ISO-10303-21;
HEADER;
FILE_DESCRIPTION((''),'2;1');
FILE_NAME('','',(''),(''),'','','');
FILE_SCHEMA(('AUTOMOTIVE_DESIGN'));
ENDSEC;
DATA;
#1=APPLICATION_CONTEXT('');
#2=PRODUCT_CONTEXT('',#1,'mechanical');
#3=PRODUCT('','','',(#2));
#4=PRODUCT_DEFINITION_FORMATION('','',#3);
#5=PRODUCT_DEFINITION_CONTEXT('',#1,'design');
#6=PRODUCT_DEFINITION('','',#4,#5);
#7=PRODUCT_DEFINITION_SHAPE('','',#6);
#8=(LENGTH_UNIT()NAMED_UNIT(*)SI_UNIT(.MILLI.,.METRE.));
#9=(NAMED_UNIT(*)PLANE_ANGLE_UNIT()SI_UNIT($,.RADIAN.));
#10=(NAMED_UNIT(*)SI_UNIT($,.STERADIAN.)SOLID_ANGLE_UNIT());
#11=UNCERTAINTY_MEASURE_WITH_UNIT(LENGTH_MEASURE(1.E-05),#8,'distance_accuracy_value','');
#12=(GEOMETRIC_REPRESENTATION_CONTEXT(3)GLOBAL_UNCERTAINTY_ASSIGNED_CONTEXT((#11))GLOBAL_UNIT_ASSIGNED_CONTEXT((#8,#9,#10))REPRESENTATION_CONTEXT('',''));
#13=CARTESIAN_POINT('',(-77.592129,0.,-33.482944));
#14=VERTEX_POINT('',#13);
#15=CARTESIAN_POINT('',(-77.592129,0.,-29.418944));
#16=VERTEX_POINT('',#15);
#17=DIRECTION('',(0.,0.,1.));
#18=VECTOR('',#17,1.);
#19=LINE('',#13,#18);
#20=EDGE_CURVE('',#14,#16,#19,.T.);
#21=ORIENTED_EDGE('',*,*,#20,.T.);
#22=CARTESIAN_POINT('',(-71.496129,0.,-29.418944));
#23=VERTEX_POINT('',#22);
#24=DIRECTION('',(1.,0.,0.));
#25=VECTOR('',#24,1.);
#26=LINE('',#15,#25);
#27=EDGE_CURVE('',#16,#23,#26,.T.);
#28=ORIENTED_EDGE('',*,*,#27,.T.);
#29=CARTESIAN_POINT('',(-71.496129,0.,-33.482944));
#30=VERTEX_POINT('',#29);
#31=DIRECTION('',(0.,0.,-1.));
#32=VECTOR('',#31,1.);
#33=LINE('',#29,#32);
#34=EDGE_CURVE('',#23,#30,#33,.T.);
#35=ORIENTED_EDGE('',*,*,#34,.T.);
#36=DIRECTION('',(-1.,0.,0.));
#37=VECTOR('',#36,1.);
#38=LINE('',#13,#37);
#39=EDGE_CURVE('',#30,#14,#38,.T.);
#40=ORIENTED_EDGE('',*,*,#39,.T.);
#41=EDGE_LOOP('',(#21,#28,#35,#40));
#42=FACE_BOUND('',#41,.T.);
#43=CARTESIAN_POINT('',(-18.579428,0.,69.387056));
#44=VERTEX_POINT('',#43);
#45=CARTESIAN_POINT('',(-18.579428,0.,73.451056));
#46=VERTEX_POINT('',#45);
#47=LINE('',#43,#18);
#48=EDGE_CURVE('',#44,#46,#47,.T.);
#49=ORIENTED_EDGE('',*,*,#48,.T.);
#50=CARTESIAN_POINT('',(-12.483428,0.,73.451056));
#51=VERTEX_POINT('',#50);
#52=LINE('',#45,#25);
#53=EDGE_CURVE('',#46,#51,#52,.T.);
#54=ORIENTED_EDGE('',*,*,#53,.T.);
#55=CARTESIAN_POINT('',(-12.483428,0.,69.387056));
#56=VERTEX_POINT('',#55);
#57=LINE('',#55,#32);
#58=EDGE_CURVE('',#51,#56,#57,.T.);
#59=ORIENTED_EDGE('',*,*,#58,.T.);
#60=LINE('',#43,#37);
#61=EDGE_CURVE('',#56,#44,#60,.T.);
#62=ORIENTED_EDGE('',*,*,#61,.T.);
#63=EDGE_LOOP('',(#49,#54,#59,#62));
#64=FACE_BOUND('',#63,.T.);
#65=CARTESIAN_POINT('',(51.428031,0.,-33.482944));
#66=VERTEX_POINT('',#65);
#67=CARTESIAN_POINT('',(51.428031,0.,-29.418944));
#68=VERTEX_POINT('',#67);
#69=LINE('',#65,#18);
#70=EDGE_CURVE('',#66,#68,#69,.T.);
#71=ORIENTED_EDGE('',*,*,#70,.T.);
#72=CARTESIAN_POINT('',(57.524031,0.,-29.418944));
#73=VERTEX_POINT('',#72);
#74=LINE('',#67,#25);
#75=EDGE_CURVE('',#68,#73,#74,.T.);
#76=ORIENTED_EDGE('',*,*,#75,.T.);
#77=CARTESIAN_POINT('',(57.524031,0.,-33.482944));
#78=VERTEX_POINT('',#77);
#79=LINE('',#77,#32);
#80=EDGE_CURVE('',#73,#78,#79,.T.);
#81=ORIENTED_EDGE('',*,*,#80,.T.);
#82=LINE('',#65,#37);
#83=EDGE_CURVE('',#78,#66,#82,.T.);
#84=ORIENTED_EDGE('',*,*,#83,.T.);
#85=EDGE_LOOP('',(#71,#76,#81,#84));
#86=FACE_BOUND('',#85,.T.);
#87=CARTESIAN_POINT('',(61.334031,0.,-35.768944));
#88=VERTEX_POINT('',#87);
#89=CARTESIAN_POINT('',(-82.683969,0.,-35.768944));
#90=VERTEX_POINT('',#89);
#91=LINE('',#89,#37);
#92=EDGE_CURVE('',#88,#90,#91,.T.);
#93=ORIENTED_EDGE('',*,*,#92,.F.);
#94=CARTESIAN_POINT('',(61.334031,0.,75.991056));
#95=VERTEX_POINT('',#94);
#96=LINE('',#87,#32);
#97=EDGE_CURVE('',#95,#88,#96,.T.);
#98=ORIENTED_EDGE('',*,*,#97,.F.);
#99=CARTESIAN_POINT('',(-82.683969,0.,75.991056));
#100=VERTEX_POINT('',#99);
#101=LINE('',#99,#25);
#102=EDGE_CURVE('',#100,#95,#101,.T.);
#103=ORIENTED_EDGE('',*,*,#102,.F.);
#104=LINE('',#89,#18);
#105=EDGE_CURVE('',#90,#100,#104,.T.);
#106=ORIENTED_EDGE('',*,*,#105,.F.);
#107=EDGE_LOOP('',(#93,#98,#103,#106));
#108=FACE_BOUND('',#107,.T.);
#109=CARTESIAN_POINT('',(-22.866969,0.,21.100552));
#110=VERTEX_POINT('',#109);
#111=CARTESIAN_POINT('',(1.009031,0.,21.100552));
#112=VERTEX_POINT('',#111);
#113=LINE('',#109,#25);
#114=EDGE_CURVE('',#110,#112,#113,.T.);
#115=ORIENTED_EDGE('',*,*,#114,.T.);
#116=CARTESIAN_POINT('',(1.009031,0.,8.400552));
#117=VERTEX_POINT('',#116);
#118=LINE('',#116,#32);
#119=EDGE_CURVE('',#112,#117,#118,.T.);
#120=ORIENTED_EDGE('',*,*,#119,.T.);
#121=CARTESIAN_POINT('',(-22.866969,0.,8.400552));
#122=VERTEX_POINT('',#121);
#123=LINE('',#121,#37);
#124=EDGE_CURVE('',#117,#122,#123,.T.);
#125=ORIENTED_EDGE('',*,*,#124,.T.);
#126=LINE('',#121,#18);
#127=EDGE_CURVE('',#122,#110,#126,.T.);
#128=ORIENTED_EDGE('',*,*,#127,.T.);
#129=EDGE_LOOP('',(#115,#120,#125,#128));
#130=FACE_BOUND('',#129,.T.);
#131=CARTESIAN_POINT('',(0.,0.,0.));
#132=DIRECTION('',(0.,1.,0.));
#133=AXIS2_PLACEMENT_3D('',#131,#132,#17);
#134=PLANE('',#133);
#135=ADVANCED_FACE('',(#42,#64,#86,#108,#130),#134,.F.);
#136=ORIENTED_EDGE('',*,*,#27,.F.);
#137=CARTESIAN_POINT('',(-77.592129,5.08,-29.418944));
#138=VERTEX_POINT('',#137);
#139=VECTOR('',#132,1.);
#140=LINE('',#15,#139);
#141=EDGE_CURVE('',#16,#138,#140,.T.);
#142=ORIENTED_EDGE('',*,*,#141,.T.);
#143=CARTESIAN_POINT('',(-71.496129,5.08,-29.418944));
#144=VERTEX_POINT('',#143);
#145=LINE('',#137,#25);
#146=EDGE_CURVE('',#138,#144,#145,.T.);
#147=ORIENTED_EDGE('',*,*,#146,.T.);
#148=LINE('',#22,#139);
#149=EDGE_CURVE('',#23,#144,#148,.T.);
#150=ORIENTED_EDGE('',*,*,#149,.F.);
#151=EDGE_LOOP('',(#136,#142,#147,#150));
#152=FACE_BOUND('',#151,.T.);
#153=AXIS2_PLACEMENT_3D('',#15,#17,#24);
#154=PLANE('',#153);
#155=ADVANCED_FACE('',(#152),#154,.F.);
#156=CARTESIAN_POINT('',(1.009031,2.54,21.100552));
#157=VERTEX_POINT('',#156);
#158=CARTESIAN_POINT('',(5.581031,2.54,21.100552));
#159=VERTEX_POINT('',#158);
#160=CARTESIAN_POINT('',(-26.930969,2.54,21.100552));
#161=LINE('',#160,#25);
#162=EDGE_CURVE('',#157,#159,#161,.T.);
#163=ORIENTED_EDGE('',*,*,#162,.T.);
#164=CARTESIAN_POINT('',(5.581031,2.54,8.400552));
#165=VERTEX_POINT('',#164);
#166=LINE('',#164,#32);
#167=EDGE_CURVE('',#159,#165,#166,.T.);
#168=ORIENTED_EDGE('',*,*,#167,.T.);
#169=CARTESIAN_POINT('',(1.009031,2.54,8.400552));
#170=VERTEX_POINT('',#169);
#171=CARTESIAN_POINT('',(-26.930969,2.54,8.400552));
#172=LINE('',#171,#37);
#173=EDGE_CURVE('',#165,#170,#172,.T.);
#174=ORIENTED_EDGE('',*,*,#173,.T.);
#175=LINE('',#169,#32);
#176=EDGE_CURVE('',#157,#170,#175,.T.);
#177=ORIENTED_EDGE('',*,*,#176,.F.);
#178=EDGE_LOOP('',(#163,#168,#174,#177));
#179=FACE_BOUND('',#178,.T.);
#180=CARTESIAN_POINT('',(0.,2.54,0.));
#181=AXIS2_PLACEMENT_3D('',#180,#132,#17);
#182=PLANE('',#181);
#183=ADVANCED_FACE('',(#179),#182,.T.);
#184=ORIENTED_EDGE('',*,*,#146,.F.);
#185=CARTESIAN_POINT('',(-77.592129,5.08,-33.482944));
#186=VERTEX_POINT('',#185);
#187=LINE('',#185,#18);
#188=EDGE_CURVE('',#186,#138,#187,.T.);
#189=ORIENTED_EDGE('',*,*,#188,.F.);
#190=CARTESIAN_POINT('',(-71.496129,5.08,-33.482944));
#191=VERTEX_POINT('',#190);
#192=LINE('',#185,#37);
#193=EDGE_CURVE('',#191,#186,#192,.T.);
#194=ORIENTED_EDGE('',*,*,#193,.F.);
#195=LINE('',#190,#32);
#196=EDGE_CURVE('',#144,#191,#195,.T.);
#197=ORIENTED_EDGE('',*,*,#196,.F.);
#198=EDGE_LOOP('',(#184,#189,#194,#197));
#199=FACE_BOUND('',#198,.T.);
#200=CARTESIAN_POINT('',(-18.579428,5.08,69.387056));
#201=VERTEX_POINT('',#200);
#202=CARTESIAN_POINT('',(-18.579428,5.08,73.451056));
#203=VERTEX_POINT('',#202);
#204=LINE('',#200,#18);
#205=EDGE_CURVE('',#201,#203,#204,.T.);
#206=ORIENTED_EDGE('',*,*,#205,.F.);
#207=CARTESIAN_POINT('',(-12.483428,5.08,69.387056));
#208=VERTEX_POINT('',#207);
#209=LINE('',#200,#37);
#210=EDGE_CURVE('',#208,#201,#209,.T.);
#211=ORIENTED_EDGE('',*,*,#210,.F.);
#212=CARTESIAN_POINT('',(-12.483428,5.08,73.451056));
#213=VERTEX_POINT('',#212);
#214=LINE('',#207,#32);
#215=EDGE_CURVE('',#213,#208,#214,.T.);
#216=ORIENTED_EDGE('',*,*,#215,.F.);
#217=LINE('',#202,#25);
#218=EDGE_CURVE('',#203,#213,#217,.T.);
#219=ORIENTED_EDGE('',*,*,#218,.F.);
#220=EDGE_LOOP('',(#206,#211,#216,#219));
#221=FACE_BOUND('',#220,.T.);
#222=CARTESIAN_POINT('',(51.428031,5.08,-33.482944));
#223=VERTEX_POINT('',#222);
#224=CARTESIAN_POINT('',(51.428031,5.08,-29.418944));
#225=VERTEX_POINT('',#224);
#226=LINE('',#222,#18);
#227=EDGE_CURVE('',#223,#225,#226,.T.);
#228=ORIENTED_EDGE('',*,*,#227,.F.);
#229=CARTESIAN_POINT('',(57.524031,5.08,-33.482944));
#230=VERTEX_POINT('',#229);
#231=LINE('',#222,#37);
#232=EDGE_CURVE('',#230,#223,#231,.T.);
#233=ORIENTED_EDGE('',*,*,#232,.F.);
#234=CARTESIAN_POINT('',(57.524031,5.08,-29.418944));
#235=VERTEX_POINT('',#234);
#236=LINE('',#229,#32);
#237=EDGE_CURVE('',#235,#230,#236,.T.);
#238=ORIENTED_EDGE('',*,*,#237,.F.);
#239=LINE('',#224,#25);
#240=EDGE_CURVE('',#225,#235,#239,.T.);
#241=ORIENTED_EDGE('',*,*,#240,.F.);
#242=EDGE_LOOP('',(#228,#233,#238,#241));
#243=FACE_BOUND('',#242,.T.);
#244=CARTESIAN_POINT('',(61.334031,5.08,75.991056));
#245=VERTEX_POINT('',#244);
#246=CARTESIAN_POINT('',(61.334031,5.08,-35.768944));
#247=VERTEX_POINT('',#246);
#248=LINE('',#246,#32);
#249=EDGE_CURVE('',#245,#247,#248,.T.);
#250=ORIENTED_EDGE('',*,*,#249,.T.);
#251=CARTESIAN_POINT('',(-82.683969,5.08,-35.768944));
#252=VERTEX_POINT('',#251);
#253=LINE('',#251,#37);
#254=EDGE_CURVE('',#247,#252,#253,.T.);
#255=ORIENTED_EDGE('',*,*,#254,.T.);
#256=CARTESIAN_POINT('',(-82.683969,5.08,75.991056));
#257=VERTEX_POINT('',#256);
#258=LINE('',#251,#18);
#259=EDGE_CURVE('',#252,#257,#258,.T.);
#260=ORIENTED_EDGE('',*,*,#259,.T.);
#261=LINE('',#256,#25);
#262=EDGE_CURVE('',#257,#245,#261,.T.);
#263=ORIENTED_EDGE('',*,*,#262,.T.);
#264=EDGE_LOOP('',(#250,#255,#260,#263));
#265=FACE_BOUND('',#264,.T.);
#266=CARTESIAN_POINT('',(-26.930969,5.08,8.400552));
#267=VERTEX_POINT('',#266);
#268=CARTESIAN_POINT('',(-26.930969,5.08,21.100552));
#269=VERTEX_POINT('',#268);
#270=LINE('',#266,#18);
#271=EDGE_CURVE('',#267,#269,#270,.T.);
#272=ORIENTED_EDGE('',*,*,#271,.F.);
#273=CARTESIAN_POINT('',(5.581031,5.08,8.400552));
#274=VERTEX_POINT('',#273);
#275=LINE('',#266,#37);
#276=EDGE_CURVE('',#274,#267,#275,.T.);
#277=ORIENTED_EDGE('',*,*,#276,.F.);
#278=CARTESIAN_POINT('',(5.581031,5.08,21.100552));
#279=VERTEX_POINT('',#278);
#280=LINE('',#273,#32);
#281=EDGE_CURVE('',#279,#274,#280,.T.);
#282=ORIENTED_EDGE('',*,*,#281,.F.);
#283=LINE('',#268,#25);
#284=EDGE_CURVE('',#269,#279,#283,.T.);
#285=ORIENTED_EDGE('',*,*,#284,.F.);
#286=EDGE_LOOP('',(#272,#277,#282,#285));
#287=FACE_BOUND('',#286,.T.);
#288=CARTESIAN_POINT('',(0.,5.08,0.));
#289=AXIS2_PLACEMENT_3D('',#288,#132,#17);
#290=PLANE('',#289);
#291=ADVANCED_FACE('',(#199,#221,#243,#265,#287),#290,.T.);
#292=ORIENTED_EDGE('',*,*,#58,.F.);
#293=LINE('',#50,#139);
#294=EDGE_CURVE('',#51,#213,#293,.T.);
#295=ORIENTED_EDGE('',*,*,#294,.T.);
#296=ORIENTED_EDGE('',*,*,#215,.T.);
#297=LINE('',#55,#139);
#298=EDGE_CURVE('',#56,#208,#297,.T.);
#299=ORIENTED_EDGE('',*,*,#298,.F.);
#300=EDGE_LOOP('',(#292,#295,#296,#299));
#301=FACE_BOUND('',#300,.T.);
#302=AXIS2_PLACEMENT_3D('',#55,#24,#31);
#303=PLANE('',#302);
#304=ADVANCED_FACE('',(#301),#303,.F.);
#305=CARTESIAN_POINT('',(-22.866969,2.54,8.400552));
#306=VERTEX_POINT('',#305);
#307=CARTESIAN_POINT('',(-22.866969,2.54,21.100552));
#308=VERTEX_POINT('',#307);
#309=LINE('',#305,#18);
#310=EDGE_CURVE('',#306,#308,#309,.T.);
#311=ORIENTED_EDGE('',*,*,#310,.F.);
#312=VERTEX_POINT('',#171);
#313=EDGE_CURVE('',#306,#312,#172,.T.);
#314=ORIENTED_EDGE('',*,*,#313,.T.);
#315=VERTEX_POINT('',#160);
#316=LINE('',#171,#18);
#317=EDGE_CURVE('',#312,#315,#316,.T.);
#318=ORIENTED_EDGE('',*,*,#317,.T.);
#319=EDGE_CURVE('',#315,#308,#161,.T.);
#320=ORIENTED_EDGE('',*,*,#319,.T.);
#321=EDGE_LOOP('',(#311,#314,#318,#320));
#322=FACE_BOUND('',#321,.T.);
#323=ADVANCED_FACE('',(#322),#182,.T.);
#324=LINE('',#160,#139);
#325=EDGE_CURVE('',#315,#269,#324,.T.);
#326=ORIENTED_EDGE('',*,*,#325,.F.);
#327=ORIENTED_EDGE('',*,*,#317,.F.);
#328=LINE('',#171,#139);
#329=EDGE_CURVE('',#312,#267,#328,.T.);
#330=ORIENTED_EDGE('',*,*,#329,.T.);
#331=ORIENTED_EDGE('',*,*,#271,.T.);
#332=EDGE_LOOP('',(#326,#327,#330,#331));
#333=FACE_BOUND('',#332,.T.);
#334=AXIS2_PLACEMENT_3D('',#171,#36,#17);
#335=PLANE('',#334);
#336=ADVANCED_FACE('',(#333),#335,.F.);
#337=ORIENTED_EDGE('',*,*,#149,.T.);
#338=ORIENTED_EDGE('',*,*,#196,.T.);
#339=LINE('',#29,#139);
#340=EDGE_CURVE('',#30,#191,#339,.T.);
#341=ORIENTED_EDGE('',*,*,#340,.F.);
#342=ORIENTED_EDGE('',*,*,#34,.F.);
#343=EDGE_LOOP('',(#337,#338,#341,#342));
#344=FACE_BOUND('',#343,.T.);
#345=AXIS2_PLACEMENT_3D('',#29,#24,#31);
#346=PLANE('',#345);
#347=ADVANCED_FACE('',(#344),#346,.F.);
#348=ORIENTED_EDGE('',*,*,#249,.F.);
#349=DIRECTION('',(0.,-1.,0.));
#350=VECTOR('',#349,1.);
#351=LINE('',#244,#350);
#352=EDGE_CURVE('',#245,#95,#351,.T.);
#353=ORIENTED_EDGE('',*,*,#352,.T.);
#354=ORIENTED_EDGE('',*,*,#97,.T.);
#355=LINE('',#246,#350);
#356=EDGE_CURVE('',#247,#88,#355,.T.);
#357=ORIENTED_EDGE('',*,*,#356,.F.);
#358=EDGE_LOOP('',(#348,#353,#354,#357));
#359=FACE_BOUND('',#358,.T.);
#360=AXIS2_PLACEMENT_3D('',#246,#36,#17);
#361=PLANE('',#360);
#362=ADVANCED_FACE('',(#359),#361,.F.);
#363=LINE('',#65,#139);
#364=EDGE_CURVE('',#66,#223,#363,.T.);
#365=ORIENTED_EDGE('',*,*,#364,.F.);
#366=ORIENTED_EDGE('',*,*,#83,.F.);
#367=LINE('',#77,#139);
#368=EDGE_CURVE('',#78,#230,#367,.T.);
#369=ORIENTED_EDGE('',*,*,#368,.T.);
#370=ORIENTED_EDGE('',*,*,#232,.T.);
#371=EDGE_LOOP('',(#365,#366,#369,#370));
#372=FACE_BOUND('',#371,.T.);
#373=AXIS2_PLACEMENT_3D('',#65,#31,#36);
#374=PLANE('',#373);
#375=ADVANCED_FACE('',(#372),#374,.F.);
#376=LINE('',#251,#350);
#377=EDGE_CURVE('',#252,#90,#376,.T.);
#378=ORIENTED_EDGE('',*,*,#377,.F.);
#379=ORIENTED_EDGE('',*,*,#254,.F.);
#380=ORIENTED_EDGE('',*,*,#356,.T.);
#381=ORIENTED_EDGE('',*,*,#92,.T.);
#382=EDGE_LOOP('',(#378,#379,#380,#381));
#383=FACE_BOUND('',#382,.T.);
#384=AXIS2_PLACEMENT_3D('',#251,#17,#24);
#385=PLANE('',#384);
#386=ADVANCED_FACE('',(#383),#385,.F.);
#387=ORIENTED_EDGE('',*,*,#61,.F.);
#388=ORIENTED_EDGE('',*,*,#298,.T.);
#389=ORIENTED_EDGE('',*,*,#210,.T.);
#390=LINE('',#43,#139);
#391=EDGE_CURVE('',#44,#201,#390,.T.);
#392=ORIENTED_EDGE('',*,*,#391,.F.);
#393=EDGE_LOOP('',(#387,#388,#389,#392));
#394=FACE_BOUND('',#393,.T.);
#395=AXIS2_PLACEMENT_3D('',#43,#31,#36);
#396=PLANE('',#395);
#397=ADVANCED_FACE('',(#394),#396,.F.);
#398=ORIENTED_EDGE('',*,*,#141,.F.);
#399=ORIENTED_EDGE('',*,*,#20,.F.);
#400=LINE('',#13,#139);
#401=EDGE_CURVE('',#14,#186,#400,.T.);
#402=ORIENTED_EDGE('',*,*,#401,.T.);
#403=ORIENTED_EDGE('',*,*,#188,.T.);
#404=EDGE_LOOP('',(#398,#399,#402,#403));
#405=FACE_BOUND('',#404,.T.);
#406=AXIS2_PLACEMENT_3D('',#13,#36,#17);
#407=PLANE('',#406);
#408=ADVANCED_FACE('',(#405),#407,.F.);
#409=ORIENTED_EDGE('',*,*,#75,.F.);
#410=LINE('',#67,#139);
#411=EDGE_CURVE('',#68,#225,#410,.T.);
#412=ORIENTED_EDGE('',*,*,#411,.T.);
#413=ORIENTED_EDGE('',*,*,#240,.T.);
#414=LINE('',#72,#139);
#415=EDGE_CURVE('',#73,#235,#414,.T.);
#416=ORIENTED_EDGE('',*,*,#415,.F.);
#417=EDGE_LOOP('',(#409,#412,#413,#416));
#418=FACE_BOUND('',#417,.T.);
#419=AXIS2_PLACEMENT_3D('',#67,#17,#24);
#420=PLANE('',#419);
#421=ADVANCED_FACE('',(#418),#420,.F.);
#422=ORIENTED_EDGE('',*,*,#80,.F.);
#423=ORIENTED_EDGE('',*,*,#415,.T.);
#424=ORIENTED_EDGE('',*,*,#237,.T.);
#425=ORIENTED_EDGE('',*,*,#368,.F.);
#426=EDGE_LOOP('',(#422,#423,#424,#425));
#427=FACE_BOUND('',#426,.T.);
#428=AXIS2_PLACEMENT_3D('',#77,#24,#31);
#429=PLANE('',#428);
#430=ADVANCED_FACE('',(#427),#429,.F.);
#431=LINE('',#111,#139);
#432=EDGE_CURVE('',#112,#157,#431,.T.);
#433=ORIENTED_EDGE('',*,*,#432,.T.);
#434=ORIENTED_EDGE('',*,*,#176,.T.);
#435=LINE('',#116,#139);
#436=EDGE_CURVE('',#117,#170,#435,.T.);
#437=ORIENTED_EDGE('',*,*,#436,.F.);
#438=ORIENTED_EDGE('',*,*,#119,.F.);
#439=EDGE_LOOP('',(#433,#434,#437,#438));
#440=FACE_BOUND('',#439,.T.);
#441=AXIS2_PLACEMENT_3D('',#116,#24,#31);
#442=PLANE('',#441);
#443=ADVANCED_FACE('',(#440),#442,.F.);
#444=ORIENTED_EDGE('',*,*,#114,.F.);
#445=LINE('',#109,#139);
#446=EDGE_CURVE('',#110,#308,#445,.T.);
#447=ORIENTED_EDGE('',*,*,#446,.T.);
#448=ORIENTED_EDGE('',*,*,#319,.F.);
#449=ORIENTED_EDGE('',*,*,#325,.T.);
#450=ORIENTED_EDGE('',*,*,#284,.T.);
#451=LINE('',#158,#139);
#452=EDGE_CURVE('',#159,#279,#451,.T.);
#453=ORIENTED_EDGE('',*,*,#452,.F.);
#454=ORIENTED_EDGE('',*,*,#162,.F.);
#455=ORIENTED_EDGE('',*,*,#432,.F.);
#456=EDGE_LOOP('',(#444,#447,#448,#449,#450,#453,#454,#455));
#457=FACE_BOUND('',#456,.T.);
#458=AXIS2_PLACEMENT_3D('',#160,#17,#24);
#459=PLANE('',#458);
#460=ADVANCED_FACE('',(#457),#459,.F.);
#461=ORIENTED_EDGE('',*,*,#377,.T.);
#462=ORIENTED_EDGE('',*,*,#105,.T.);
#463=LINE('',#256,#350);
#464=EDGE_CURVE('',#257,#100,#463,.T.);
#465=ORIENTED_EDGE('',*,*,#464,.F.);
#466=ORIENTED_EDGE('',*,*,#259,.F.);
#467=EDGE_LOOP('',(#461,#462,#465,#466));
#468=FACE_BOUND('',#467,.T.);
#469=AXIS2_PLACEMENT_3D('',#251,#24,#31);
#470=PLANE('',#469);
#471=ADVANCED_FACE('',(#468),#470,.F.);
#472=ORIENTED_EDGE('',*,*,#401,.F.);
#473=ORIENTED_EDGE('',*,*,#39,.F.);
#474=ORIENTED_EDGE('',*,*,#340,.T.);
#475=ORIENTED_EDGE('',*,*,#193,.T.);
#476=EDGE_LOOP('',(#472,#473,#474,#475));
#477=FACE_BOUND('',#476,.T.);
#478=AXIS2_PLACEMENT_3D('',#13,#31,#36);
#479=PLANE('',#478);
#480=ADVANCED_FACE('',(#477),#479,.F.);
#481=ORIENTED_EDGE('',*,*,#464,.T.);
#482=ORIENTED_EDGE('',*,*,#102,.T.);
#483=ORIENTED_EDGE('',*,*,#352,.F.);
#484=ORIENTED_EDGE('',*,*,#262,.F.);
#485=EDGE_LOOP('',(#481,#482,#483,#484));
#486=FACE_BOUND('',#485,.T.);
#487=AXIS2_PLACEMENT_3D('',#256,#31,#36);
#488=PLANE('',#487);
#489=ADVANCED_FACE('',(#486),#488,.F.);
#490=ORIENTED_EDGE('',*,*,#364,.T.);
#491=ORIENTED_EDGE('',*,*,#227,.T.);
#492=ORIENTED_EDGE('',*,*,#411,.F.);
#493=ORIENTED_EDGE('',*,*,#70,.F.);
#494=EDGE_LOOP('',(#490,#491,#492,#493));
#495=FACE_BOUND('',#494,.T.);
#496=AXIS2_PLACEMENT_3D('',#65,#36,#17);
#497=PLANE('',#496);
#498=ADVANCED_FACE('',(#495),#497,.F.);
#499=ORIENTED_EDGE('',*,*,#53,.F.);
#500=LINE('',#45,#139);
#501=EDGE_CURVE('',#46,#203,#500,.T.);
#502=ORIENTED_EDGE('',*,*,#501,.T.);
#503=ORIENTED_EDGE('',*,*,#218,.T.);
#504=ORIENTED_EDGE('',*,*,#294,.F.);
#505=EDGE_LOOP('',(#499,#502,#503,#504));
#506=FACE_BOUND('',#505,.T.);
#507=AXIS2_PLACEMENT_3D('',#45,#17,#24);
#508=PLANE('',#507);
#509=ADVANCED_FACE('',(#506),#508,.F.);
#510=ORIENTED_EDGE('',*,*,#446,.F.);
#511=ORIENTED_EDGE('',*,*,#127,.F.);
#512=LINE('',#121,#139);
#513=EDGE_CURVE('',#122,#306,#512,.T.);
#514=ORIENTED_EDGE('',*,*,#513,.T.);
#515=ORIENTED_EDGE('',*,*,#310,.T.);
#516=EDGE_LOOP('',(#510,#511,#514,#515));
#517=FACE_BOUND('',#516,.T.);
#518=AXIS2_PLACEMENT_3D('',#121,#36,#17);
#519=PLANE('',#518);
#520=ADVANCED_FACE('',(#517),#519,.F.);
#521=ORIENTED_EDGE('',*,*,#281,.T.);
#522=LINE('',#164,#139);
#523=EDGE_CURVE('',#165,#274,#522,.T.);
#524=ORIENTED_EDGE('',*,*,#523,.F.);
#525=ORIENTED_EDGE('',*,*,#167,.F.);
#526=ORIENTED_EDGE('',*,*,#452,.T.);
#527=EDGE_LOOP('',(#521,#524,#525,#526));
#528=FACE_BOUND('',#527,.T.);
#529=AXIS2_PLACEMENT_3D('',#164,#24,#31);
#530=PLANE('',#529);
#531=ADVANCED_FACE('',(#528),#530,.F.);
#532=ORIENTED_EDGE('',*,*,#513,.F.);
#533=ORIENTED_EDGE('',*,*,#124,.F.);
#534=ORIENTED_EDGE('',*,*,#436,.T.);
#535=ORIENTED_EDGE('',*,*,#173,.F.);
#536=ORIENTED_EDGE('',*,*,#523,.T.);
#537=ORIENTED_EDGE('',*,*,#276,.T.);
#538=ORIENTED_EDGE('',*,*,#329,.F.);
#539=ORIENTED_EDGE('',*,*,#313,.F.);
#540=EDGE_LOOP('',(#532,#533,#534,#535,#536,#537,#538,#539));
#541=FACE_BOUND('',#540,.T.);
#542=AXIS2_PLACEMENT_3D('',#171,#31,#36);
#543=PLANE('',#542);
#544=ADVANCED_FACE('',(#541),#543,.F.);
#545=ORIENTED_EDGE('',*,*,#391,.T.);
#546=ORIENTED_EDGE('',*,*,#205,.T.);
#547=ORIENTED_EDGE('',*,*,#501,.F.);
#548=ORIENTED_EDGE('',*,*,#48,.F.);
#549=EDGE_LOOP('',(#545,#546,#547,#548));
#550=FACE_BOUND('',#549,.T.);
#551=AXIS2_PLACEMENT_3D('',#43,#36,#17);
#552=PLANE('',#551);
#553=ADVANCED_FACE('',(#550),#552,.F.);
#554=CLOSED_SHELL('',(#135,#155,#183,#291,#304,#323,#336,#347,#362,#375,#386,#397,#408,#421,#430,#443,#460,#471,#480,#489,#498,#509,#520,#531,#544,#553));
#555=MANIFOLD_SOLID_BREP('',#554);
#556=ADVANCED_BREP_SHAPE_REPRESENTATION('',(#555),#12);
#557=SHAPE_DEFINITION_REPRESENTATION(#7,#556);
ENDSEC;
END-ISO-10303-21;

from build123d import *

# Parameters (mm, degrees)
SKETCH3_W           = 144.018
SKETCH3_H           = 111.76
BOSS_EXTRUDE2_DEPTH = 5.08
SKETCH5_W           = 6.096
SKETCH5_H           = 4.064
CUT_EXTRUDE1_DEPTH  = 5.08
SKETCH6_W           = 32.512
SKETCH6_H           = 12.7
CUT_EXTRUDE2_DEPTH  = 2.54
SKETCH7_W           = 23.876
SKETCH7_H           = 12.7
CUT_EXTRUDE3_DEPTH  = 2.54


with BuildPart() as part:
    # Sketch3 → Boss-Extrude2 (new body)
    with BuildSketch(Plane(origin=(0, 0, 0), x_dir=(1, 0, 0), z_dir=(0, 1, 0))):
        with Locations((-10.674968857, -20.111055569)):
            Rectangle(SKETCH3_W, SKETCH3_H)
    extrude(amount=BOSS_EXTRUDE2_DEPTH)

    # Sketch5 → Cut-Extrude1 (cut)
    with BuildSketch(Plane(origin=(0, 5.08, 0), x_dir=(1, 0, 0), z_dir=(0, 1, 0))):
        with Locations((-74.544129387, 31.450944431)):
            Rectangle(SKETCH5_W, SKETCH5_H)
        with Locations((54.476031143, 31.450944431)):
            Rectangle(SKETCH5_W, SKETCH5_H)
        with Locations((-15.53142752, -71.419055569)):
            Rectangle(SKETCH5_W, SKETCH5_H)
    extrude(amount=-CUT_EXTRUDE1_DEPTH, mode=Mode.SUBTRACT)

    # Sketch6 → Cut-Extrude2 (cut)
    with BuildSketch(Plane(origin=(0, 5.08, 0), x_dir=(1, 0, 0), z_dir=(0, 1, 0))):
        with Locations((-10.674968857, -14.750552476)):
            Rectangle(SKETCH6_W, SKETCH6_H)
    extrude(amount=-CUT_EXTRUDE2_DEPTH, mode=Mode.SUBTRACT)

    # Sketch7 → Cut-Extrude3 (cut)
    with BuildSketch(Plane(origin=(0, 2.54, 0), x_dir=(1, 0, 0), z_dir=(0, 1, 0))):
        with Locations((-10.928968857, -14.750552476)):
            Rectangle(SKETCH7_W, SKETCH7_H)
    extrude(amount=-CUT_EXTRUDE3_DEPTH, mode=Mode.SUBTRACT)


solid = part.part
